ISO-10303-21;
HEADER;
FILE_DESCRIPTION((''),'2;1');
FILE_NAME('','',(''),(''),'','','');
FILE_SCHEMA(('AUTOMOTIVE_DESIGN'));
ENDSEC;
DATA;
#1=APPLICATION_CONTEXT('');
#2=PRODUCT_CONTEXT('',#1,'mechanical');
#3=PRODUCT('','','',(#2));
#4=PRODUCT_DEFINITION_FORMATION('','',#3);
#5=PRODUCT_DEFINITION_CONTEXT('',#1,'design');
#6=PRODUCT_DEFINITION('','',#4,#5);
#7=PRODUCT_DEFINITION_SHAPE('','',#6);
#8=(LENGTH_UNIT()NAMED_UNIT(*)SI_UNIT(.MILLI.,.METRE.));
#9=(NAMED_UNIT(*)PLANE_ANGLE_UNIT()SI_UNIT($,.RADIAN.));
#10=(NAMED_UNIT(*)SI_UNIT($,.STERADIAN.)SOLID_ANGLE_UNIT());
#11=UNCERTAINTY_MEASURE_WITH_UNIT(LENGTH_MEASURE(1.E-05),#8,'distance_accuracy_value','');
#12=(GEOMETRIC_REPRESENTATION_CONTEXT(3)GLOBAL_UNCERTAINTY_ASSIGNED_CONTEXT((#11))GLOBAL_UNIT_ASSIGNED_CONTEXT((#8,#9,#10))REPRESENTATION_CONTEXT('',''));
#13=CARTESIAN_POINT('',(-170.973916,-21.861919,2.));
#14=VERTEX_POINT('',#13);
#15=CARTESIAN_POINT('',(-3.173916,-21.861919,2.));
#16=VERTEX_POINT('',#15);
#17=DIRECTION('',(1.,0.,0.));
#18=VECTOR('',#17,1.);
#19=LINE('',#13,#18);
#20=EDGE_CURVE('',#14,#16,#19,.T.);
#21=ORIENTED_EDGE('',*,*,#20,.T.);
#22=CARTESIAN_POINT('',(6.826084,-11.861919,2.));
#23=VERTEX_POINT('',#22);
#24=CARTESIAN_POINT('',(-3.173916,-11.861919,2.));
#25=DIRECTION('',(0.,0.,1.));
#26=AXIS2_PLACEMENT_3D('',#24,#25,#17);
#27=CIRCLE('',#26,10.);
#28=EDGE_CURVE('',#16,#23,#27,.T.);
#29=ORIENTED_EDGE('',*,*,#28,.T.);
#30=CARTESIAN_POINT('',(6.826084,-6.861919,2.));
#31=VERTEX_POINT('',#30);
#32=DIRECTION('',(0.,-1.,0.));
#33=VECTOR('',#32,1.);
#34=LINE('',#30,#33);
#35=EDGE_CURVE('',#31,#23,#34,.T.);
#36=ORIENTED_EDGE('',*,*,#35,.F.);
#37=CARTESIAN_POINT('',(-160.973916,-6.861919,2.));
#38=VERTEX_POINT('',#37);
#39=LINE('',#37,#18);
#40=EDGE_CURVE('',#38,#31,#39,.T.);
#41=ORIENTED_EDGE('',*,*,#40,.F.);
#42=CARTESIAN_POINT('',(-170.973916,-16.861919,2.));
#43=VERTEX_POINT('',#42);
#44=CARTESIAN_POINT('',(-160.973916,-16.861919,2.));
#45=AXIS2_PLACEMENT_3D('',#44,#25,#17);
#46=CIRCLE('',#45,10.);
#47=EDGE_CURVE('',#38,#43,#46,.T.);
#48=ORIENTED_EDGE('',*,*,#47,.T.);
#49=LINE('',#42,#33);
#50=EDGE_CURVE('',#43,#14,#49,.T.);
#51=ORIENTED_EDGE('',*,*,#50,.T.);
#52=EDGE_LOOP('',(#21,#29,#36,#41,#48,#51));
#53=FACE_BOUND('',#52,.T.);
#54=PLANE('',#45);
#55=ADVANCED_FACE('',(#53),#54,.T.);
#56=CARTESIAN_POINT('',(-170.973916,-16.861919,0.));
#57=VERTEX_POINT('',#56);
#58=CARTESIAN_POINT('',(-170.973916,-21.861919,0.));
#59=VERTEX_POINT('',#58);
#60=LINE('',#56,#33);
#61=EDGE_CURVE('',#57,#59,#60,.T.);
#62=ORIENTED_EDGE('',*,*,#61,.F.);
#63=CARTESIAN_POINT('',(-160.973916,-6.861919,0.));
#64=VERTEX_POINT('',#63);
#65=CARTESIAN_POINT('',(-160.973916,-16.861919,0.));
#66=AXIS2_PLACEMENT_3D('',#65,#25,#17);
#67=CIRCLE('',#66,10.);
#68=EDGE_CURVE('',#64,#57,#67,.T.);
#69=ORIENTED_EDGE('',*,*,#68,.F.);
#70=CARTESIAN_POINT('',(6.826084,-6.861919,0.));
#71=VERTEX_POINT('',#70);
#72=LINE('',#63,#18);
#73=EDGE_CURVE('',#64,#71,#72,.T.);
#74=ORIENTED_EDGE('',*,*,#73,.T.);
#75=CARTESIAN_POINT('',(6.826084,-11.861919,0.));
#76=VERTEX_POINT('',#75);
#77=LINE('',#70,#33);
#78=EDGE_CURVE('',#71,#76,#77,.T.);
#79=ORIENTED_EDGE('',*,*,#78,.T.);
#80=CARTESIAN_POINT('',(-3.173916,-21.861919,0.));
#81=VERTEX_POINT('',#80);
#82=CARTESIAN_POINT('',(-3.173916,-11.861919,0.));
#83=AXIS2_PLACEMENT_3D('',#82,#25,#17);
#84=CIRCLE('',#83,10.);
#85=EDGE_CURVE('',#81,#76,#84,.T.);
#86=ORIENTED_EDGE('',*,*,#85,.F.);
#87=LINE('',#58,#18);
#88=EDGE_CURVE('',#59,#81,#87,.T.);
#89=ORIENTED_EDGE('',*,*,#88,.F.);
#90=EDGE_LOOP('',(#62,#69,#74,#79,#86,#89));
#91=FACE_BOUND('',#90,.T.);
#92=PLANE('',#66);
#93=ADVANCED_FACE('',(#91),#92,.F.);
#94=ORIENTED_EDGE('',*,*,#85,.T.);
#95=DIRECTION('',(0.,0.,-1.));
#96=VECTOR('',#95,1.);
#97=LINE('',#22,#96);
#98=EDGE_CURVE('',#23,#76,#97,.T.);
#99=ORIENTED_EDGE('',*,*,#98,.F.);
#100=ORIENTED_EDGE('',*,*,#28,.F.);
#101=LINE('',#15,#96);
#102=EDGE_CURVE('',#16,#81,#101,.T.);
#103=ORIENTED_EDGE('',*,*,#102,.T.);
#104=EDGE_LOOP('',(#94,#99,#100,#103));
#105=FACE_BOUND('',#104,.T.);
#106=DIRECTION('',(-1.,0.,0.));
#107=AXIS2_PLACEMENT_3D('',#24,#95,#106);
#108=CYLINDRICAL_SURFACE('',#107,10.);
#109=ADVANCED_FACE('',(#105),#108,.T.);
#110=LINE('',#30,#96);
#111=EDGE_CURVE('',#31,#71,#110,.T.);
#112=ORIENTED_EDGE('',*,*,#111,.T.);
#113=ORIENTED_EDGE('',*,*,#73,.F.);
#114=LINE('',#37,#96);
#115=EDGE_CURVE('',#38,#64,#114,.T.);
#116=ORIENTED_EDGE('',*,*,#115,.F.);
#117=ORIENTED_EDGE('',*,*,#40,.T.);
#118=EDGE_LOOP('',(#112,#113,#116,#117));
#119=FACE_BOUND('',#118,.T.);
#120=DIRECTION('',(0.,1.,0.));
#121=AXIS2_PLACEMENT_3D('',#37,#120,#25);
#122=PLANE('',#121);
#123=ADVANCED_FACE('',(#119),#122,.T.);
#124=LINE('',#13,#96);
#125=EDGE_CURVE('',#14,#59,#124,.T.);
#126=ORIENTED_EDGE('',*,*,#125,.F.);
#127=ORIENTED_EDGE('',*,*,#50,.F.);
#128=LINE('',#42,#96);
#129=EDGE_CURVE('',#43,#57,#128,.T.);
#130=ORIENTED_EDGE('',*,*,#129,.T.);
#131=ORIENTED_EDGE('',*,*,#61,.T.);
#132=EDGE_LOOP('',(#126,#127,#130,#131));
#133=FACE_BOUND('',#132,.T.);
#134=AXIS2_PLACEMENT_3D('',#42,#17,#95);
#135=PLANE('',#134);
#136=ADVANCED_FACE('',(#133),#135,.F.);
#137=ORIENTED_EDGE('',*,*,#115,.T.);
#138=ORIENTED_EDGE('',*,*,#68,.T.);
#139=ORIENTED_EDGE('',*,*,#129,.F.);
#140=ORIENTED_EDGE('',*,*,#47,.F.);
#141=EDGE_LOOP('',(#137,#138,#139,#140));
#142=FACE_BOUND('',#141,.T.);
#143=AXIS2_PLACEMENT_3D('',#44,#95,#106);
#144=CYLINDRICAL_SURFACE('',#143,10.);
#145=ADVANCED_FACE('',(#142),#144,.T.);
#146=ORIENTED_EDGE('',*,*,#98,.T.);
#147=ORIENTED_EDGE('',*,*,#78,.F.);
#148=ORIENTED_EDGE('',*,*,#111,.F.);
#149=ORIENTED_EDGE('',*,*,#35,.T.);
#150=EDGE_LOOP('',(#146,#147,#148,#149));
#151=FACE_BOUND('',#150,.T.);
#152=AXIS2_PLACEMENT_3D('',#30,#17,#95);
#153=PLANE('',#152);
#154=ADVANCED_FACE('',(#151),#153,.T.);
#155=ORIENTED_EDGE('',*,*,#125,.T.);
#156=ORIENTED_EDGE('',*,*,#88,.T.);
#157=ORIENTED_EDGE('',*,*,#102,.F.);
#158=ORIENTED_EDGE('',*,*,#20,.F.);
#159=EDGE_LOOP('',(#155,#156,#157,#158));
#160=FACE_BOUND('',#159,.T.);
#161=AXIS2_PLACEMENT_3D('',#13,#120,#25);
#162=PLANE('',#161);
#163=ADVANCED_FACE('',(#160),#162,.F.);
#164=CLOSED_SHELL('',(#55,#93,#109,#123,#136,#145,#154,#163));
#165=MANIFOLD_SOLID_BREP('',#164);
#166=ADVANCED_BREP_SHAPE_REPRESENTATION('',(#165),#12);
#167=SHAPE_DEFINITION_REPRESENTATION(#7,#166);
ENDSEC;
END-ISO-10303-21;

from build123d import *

# Parameters (mm, degrees)
BOSS_EXTRUDE1_DEPTH = 2


with BuildPart() as part:
    # Sketch1 → Boss-Extrude1 (new body)
    with BuildSketch(Plane.XY):
        with BuildLine():
            Line((-160.973915689, -6.861918673), (6.826084311, -6.861918673))
            Line((6.826084311, -6.861918673), (6.826084311, -11.861918673))
            ThreePointArc((6.826084311, -11.861918673), (3.897152123, -18.932986485), (-3.173915689, -21.861918673))
            Line((-3.173915689, -21.861918673), (-170.973915689, -21.861918673))
            Line((-170.973915689, -21.861918673), (-170.973915689, -16.861918673))
            ThreePointArc((-170.973915689, -16.861918673), (-168.0449835, -9.790850861), (-160.973915689, -6.861918673))
        make_face()
    extrude(amount=BOSS_EXTRUDE1_DEPTH)


solid = part.part
